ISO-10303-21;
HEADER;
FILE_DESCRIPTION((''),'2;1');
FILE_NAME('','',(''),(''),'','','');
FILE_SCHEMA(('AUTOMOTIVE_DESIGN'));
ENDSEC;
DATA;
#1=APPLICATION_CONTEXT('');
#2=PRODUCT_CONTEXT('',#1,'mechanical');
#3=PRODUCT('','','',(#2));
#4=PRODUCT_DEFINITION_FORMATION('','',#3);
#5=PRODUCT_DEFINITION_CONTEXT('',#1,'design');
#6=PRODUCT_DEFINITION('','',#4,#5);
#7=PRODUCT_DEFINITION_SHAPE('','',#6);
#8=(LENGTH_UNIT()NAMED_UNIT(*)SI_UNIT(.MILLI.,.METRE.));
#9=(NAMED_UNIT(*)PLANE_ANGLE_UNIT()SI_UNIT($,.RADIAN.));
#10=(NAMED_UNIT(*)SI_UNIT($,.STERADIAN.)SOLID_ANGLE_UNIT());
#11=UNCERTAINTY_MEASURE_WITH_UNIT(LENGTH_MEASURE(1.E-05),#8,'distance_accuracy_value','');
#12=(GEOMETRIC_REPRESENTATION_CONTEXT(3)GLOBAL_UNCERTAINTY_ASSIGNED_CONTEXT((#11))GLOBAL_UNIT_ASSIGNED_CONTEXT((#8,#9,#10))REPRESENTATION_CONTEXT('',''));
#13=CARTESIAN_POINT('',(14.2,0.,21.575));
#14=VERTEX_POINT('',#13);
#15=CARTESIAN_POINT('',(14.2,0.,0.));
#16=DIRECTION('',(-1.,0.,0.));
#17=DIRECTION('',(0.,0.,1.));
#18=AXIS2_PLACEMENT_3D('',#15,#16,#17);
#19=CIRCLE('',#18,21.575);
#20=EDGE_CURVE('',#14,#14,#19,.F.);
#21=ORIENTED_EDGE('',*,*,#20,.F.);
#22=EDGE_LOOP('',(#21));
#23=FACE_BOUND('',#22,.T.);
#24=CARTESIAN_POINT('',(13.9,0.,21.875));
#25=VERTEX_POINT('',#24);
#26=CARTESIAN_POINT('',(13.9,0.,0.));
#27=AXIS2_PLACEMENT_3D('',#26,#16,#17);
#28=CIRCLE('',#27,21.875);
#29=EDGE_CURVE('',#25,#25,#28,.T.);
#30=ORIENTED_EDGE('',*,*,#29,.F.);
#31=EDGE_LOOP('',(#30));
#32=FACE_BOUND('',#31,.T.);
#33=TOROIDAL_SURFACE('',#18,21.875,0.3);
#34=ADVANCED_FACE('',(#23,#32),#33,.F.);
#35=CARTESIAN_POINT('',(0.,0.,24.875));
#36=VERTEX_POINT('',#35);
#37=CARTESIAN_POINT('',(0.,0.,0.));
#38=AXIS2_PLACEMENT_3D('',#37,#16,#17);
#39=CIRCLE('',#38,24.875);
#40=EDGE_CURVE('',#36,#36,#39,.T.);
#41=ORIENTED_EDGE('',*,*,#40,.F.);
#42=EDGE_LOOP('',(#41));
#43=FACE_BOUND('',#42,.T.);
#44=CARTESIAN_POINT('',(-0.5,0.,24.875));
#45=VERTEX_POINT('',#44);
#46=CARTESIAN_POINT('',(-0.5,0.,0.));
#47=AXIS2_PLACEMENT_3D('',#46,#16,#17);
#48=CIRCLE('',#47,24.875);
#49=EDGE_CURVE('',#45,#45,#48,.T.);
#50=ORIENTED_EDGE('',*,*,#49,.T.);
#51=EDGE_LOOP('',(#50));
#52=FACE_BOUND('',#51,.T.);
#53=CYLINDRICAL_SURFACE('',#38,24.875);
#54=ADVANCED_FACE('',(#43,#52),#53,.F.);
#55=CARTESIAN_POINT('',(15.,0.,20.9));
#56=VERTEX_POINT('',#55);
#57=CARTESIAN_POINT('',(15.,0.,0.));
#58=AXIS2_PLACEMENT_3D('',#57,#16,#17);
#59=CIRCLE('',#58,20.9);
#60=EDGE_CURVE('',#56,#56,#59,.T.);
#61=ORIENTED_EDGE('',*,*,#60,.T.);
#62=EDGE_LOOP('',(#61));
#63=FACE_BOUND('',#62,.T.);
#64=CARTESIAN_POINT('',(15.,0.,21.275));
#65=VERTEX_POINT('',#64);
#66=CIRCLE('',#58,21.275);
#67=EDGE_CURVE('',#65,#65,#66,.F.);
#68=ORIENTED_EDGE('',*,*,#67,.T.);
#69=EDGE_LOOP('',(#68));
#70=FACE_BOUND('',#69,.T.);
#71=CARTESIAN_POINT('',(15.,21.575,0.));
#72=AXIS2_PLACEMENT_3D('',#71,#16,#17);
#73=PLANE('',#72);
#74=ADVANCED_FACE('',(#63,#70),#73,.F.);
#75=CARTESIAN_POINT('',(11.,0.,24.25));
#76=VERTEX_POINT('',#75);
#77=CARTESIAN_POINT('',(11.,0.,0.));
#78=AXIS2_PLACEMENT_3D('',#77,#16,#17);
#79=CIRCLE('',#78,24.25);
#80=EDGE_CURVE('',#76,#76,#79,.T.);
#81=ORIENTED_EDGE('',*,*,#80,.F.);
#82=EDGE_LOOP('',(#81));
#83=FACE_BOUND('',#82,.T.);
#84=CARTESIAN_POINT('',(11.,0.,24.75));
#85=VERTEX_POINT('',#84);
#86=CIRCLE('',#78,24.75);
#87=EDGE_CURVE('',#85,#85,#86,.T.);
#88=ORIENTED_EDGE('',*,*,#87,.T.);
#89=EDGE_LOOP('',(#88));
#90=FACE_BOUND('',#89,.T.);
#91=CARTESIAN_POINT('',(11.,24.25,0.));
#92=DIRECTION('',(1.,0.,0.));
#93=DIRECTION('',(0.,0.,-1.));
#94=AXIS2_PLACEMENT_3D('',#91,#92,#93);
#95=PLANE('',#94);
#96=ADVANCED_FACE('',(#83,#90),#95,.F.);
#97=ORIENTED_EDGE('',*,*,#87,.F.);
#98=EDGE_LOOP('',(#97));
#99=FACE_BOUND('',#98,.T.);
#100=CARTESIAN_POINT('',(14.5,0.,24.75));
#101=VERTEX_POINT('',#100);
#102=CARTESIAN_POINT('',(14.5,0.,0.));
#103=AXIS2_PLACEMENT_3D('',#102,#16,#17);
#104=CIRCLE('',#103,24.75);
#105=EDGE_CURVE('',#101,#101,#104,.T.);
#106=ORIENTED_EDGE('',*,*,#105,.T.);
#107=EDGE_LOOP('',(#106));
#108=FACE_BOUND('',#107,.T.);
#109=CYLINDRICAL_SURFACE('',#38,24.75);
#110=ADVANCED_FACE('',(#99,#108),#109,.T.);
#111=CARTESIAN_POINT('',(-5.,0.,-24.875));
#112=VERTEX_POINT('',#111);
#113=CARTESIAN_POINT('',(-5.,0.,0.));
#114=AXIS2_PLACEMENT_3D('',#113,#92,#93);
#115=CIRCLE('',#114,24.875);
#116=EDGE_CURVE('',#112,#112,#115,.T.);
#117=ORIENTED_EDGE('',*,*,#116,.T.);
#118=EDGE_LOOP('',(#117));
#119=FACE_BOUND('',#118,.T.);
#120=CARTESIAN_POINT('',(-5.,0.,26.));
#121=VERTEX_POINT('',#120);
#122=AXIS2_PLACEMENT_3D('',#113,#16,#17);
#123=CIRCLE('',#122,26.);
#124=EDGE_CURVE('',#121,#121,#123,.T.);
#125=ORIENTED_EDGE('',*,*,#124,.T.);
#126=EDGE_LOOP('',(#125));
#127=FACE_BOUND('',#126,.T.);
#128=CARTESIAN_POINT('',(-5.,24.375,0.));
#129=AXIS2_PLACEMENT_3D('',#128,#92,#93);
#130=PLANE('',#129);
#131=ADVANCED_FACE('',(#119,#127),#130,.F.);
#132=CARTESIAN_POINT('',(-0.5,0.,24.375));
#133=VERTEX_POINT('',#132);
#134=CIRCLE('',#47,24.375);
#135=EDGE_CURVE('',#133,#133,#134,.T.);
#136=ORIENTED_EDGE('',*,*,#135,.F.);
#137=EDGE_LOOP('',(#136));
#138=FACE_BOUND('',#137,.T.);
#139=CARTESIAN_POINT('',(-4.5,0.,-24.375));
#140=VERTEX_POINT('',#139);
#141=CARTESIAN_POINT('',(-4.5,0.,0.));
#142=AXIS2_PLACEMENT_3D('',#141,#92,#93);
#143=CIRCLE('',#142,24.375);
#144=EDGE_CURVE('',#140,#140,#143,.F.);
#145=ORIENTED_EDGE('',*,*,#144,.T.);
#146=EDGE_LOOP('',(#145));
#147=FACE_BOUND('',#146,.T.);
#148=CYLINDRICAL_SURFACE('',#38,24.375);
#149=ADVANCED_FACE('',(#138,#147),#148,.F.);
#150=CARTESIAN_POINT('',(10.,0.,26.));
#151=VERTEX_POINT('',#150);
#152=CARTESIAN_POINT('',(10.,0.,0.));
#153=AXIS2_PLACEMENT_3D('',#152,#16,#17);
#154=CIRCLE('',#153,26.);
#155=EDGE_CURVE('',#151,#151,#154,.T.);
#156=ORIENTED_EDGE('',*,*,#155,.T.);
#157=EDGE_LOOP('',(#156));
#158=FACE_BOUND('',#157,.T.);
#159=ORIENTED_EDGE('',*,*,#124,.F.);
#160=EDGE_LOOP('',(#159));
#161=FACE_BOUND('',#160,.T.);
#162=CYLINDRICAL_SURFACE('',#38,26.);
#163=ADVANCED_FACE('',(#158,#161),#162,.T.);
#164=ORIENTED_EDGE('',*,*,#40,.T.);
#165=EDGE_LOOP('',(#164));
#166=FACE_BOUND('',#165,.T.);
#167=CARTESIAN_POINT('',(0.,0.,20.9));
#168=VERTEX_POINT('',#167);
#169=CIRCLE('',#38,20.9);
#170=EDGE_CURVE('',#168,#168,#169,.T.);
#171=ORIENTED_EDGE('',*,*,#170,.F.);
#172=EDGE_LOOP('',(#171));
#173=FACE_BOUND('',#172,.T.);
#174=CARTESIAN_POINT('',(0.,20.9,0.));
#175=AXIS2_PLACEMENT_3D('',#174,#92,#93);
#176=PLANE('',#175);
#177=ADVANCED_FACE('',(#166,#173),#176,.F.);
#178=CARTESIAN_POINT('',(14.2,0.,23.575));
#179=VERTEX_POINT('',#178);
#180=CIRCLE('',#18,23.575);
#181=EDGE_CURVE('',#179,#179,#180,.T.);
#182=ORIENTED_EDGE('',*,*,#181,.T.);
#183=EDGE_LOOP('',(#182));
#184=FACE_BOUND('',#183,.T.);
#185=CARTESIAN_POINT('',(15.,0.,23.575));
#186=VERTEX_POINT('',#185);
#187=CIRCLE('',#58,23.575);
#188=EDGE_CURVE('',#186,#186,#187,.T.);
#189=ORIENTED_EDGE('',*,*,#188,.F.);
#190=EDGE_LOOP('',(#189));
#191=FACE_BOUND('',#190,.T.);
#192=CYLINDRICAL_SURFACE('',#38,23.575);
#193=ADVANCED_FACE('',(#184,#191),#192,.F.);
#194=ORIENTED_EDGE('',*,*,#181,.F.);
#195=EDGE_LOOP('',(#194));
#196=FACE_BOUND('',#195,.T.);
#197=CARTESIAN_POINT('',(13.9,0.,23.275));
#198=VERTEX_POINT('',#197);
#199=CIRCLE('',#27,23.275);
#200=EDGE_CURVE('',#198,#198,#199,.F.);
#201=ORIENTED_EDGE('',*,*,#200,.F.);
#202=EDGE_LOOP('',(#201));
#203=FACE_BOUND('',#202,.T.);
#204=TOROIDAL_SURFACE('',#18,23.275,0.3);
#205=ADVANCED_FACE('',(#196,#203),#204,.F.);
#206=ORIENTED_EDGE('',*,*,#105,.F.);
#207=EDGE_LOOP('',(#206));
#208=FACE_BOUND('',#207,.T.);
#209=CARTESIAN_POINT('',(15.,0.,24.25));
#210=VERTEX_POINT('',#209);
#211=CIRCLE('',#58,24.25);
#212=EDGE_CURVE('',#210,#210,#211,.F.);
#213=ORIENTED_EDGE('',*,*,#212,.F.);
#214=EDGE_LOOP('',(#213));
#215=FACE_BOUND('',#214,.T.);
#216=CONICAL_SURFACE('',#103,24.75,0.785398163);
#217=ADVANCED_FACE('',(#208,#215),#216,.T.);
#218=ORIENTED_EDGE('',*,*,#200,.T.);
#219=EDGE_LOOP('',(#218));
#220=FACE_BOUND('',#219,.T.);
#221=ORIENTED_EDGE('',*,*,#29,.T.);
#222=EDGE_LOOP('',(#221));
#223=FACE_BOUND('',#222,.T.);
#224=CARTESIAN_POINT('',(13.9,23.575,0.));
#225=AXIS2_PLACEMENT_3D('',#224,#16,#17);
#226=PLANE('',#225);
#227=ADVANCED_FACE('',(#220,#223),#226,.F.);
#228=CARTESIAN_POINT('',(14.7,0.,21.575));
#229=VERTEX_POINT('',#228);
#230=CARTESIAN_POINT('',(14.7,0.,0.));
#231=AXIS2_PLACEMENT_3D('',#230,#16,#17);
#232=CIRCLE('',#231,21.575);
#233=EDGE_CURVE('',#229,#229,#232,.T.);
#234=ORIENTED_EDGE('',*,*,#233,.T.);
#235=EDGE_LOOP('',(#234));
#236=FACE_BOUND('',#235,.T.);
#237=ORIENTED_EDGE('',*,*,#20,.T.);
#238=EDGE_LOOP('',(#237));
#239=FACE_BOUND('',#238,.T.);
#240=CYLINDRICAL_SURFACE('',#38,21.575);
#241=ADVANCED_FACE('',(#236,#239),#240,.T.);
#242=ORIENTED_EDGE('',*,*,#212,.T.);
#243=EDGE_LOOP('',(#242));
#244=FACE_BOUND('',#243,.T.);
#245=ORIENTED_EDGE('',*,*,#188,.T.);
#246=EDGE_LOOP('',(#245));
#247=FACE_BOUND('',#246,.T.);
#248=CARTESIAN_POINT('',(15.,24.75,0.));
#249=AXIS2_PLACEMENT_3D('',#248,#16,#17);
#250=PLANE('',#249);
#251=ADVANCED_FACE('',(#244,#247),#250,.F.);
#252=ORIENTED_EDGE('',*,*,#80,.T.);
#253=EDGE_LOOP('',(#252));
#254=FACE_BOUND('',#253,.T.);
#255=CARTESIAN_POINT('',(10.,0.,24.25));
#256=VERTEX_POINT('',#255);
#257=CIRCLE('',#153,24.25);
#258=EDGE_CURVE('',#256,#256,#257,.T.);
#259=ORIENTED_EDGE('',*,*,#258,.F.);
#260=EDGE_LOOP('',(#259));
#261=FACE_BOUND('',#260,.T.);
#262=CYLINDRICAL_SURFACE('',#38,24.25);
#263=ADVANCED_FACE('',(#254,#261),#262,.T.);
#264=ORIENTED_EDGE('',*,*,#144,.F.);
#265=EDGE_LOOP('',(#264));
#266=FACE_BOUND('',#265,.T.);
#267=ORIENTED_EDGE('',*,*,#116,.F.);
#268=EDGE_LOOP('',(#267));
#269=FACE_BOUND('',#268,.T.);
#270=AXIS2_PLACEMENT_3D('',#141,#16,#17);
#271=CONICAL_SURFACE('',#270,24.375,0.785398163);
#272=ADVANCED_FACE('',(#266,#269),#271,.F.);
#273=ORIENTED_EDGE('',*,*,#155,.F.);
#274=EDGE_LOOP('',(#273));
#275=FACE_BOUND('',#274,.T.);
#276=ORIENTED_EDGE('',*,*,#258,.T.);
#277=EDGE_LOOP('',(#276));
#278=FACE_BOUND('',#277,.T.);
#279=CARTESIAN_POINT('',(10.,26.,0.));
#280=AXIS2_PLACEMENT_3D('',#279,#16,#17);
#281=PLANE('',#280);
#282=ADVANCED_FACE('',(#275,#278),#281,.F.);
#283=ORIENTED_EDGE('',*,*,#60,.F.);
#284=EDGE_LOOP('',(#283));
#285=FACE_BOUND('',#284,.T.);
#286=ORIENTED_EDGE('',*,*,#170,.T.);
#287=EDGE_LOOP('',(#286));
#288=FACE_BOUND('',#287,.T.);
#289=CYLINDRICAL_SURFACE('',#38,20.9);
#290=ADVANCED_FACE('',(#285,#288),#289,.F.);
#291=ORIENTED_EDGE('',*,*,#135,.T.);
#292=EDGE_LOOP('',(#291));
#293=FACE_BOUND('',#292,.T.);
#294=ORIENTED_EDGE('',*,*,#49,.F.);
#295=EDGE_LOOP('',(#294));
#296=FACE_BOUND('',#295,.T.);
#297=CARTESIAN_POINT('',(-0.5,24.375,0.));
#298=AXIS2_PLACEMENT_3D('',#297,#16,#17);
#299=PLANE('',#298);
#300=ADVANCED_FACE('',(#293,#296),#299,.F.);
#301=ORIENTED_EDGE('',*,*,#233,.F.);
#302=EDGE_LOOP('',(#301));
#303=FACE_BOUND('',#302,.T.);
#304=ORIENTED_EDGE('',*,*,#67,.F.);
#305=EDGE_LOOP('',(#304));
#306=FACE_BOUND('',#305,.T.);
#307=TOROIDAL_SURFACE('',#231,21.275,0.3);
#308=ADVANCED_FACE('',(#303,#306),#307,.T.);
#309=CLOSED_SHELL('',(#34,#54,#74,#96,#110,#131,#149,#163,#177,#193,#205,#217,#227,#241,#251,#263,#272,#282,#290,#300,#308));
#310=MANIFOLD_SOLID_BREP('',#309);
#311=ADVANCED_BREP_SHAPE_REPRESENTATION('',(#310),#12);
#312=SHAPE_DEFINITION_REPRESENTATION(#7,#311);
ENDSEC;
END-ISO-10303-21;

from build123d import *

# Parameters (mm, degrees)
SMUSSO1_SIZE = 0.5
RACCORDO1_R  = 0.3
SMUSSO2_SIZE = 0.5


with BuildPart() as part:
    # Schizzo1 → Rivoluzione1 (revolve)
    with BuildSketch(Plane.XY, mode=Mode.PRIVATE) as rivoluzione1_sk:
        Polygon((-5, 26), (10, 26), (10, 24.25), (11, 24.25), (11, 24.75), (15, 24.75), (15, 23.575), (13.9, 23.575), (13.9, 21.575), (15, 21.575), (15, 20.9), (0, 20.9), (0, 24.875), (-0.5, 24.875), (-0.5, 24.375), (-5, 24.375), align=None)
    revolve(rivoluzione1_sk.sketch.rotate(Axis((0, 0, 0), (1, 0, 0)), 90), axis=Axis((0, 0, 0), (1, 0, 0)))  # turned: the seam where the file's is

    # Smusso1
    smusso1_edges = [part.edges().sort_by_distance(p)[0] for p in [
        (-5, 0, -24.375),
    ]]
    chamfer(smusso1_edges, length=SMUSSO1_SIZE)

    # Raccordo1
    raccordo1_edges = [part.edges().sort_by_distance(p)[0] for p in [
        (13.9, 0, -23.575),
        (13.9, 0, -21.575),
        (15, 0, -21.575),
    ]]
    fillet(raccordo1_edges, radius=RACCORDO1_R)

    # Smusso2
    smusso2_edges = [part.edges().sort_by_distance(p)[0] for p in [
        (15, 0, -24.75),
    ]]
    chamfer(smusso2_edges, length=SMUSSO2_SIZE)


solid = part.part
